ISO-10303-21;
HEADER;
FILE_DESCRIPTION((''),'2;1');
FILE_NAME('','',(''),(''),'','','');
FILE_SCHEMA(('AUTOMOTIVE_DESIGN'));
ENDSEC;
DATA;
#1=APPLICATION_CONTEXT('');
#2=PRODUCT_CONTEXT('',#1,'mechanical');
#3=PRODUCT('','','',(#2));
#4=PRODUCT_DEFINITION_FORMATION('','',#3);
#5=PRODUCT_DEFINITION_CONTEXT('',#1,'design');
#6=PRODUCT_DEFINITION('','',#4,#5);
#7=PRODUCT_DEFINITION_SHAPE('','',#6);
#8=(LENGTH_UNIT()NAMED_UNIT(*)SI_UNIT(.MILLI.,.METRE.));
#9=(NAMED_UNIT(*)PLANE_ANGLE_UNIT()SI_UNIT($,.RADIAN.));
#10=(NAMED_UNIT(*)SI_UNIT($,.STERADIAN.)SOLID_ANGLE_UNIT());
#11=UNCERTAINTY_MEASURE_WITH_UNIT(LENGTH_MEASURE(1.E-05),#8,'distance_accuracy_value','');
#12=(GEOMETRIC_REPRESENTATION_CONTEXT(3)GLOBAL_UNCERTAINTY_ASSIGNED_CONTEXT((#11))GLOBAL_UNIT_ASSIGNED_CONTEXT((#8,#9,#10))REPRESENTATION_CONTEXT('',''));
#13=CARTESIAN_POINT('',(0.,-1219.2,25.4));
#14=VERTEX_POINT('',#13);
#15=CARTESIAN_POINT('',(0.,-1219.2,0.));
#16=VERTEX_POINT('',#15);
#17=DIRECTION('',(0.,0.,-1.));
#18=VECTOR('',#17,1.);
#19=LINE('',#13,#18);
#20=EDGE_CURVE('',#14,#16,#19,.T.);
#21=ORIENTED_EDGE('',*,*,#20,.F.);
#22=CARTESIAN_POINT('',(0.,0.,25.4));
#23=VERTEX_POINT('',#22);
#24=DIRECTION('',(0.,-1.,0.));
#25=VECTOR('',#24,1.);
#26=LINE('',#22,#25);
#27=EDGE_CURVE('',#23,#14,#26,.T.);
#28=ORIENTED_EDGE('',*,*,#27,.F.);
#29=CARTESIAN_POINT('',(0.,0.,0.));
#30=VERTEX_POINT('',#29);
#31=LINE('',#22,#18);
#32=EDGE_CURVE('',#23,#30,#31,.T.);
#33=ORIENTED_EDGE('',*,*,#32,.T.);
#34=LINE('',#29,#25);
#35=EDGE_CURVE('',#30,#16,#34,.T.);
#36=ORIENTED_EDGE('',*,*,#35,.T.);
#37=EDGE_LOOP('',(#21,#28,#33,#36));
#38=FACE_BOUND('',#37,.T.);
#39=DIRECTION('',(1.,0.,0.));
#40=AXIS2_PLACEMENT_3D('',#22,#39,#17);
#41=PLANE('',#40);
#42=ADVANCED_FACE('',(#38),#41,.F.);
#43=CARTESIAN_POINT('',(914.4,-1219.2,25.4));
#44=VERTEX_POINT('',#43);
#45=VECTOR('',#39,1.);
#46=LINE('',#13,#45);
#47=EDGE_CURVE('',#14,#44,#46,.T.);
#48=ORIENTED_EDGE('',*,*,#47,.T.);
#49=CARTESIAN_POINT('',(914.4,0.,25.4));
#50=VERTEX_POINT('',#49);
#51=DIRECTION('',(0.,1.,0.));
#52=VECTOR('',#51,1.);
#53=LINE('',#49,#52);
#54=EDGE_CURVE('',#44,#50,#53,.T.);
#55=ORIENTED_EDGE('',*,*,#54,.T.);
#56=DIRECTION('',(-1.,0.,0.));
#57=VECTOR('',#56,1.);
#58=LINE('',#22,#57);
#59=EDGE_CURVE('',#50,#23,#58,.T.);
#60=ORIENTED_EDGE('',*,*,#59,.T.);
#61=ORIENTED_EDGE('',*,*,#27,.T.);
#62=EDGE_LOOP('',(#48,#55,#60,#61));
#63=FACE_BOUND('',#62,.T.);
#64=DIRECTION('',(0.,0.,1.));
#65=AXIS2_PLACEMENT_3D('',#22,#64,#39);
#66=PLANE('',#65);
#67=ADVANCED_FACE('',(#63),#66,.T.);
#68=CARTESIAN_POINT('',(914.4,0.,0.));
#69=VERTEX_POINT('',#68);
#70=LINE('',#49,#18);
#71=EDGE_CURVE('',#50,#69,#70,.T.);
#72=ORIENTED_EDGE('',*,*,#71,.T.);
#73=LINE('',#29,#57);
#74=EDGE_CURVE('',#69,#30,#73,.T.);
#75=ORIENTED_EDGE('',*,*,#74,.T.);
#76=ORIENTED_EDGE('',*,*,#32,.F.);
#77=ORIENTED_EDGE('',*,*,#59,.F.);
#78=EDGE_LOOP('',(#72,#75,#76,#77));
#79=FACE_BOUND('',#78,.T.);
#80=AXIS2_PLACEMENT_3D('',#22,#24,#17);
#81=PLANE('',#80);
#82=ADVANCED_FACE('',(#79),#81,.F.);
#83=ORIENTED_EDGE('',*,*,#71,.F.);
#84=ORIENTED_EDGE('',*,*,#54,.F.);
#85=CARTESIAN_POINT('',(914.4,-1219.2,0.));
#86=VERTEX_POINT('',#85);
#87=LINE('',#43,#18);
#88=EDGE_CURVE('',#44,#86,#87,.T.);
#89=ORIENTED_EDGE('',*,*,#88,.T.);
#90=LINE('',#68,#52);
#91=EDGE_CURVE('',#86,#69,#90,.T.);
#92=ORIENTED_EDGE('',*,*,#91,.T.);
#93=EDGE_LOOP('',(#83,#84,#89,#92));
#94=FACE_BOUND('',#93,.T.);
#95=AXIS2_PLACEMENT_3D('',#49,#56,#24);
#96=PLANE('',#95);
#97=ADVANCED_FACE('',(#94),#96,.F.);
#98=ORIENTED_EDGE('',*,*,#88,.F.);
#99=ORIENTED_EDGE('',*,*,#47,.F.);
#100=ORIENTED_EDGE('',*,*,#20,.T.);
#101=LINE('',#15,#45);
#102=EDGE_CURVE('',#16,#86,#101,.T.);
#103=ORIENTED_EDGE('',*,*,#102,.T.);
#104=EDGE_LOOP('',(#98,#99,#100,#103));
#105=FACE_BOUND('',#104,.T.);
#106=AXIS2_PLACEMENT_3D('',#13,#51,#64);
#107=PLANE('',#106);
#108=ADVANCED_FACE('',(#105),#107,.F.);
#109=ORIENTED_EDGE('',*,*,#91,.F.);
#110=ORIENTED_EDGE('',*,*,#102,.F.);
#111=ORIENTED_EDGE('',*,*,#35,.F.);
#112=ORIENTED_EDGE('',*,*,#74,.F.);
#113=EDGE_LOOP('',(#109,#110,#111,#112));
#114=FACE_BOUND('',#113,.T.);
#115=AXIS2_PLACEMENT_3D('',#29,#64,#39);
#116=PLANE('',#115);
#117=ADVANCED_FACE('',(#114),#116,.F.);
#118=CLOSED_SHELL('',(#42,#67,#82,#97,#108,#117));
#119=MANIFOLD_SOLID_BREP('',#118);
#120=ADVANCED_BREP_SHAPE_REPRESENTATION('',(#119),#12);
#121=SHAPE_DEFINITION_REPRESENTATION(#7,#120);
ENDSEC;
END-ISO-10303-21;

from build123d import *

# Parameters (mm, degrees)
SKETCH1_W           = 914.4
SKETCH1_H           = 1219.2
BOSS_EXTRUDE1_DEPTH = 25.4


with BuildPart() as part:
    # Sketch1 → Boss-Extrude1 (new body)
    with BuildSketch(Plane.XY):
        with Locations((457.2, -609.6)):
            Rectangle(SKETCH1_W, SKETCH1_H)
    extrude(amount=BOSS_EXTRUDE1_DEPTH)


solid = part.part
